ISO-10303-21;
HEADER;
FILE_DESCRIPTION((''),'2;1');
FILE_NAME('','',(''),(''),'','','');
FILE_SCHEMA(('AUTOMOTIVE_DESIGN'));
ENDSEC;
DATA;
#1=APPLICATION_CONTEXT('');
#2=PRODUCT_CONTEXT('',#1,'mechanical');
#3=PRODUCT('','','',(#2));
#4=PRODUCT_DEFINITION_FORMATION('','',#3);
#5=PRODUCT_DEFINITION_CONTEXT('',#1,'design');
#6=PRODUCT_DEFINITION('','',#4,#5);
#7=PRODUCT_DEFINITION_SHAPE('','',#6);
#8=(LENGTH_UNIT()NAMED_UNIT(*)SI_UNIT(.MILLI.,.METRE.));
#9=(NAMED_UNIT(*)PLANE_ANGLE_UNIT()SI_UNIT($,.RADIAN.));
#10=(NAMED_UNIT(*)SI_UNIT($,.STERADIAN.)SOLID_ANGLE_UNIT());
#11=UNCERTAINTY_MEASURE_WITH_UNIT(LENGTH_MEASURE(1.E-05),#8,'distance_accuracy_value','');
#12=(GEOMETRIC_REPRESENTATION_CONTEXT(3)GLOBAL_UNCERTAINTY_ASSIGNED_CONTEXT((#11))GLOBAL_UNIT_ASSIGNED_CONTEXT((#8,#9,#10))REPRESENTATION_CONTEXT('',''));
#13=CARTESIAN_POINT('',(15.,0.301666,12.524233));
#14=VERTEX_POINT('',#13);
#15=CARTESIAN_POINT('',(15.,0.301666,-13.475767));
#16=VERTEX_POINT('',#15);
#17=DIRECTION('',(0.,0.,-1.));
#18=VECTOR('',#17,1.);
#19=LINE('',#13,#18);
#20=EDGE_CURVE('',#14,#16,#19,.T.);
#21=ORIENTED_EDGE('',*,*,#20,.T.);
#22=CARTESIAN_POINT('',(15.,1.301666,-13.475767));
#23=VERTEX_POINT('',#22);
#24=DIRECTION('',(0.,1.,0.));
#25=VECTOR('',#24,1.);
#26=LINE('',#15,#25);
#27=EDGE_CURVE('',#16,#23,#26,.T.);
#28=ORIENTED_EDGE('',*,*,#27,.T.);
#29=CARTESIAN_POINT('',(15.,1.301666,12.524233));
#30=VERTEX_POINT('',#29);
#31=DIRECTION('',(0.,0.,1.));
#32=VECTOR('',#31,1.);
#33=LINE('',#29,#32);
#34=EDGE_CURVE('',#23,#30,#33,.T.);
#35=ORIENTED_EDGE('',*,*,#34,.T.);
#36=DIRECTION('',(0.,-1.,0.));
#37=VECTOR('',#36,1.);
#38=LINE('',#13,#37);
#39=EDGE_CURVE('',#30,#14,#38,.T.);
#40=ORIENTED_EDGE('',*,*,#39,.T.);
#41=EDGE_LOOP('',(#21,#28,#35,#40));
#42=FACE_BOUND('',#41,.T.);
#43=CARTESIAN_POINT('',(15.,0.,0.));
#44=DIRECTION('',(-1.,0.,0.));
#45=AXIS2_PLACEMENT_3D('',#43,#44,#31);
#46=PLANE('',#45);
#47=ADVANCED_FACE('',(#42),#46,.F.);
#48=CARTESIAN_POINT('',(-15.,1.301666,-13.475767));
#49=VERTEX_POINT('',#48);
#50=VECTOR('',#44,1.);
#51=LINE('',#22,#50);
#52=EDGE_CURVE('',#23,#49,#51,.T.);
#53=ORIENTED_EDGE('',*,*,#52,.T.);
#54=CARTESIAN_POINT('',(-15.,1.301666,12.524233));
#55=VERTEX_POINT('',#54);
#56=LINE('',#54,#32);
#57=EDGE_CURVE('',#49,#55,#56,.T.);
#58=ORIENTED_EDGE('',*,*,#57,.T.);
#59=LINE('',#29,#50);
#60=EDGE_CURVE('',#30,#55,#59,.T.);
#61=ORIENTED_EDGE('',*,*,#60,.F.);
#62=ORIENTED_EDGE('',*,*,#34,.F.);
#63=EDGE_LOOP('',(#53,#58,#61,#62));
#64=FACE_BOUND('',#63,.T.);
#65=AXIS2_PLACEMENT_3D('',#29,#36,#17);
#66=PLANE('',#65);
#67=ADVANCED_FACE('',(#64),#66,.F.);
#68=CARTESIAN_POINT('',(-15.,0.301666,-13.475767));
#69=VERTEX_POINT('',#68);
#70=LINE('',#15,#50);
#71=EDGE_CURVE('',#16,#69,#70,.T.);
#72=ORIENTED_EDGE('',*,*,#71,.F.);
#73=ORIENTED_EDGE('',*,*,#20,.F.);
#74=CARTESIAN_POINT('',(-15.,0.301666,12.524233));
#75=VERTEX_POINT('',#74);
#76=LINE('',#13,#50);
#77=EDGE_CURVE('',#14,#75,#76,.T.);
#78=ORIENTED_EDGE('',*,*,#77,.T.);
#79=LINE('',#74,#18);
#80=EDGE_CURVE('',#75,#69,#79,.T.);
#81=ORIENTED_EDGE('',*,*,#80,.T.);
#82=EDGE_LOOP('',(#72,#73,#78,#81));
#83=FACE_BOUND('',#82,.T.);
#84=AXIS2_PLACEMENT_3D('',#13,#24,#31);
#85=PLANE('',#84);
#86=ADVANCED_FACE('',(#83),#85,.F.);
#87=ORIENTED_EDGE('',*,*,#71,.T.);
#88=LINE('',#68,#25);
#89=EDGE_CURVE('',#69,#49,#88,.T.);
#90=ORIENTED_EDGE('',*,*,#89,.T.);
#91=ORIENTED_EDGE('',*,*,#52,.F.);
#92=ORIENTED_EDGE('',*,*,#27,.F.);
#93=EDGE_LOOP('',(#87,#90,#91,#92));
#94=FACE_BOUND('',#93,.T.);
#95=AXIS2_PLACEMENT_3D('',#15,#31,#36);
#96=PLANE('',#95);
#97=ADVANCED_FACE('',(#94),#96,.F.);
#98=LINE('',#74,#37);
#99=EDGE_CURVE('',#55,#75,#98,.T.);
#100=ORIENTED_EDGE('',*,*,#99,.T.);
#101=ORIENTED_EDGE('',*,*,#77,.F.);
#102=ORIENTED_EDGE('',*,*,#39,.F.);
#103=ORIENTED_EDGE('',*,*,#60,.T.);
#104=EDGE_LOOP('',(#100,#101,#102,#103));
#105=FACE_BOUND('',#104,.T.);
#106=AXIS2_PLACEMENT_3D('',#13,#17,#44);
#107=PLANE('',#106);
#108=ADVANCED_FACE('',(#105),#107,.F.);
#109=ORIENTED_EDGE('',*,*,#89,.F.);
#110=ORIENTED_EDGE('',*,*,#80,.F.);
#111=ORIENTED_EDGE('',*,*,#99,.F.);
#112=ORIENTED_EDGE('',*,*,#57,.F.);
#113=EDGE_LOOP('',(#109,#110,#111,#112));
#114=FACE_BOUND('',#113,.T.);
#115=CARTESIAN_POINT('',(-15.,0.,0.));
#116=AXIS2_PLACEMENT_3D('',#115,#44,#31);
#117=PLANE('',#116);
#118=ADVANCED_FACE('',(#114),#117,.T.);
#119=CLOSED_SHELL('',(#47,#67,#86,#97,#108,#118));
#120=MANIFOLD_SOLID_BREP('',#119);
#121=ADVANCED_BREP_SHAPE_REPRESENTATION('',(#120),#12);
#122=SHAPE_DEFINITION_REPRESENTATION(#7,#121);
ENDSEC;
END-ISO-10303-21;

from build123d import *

# Parameters (mm, degrees)
SKETCH1_W           = 26
SKETCH1_H           = 1
BOSS_EXTRUDE1_DEPTH = 15


with BuildPart() as part:
    # Sketch1 → Boss-Extrude1 (new, symmetric)
    with BuildSketch(Plane(origin=(0, 0, 0), x_dir=(0, 0, -1), z_dir=(1, 0, 0))):
        with Locations((0.475767385, 0.8016658)):
            Rectangle(SKETCH1_W, SKETCH1_H)
    extrude(amount=BOSS_EXTRUDE1_DEPTH, both=True)


solid = part.part
